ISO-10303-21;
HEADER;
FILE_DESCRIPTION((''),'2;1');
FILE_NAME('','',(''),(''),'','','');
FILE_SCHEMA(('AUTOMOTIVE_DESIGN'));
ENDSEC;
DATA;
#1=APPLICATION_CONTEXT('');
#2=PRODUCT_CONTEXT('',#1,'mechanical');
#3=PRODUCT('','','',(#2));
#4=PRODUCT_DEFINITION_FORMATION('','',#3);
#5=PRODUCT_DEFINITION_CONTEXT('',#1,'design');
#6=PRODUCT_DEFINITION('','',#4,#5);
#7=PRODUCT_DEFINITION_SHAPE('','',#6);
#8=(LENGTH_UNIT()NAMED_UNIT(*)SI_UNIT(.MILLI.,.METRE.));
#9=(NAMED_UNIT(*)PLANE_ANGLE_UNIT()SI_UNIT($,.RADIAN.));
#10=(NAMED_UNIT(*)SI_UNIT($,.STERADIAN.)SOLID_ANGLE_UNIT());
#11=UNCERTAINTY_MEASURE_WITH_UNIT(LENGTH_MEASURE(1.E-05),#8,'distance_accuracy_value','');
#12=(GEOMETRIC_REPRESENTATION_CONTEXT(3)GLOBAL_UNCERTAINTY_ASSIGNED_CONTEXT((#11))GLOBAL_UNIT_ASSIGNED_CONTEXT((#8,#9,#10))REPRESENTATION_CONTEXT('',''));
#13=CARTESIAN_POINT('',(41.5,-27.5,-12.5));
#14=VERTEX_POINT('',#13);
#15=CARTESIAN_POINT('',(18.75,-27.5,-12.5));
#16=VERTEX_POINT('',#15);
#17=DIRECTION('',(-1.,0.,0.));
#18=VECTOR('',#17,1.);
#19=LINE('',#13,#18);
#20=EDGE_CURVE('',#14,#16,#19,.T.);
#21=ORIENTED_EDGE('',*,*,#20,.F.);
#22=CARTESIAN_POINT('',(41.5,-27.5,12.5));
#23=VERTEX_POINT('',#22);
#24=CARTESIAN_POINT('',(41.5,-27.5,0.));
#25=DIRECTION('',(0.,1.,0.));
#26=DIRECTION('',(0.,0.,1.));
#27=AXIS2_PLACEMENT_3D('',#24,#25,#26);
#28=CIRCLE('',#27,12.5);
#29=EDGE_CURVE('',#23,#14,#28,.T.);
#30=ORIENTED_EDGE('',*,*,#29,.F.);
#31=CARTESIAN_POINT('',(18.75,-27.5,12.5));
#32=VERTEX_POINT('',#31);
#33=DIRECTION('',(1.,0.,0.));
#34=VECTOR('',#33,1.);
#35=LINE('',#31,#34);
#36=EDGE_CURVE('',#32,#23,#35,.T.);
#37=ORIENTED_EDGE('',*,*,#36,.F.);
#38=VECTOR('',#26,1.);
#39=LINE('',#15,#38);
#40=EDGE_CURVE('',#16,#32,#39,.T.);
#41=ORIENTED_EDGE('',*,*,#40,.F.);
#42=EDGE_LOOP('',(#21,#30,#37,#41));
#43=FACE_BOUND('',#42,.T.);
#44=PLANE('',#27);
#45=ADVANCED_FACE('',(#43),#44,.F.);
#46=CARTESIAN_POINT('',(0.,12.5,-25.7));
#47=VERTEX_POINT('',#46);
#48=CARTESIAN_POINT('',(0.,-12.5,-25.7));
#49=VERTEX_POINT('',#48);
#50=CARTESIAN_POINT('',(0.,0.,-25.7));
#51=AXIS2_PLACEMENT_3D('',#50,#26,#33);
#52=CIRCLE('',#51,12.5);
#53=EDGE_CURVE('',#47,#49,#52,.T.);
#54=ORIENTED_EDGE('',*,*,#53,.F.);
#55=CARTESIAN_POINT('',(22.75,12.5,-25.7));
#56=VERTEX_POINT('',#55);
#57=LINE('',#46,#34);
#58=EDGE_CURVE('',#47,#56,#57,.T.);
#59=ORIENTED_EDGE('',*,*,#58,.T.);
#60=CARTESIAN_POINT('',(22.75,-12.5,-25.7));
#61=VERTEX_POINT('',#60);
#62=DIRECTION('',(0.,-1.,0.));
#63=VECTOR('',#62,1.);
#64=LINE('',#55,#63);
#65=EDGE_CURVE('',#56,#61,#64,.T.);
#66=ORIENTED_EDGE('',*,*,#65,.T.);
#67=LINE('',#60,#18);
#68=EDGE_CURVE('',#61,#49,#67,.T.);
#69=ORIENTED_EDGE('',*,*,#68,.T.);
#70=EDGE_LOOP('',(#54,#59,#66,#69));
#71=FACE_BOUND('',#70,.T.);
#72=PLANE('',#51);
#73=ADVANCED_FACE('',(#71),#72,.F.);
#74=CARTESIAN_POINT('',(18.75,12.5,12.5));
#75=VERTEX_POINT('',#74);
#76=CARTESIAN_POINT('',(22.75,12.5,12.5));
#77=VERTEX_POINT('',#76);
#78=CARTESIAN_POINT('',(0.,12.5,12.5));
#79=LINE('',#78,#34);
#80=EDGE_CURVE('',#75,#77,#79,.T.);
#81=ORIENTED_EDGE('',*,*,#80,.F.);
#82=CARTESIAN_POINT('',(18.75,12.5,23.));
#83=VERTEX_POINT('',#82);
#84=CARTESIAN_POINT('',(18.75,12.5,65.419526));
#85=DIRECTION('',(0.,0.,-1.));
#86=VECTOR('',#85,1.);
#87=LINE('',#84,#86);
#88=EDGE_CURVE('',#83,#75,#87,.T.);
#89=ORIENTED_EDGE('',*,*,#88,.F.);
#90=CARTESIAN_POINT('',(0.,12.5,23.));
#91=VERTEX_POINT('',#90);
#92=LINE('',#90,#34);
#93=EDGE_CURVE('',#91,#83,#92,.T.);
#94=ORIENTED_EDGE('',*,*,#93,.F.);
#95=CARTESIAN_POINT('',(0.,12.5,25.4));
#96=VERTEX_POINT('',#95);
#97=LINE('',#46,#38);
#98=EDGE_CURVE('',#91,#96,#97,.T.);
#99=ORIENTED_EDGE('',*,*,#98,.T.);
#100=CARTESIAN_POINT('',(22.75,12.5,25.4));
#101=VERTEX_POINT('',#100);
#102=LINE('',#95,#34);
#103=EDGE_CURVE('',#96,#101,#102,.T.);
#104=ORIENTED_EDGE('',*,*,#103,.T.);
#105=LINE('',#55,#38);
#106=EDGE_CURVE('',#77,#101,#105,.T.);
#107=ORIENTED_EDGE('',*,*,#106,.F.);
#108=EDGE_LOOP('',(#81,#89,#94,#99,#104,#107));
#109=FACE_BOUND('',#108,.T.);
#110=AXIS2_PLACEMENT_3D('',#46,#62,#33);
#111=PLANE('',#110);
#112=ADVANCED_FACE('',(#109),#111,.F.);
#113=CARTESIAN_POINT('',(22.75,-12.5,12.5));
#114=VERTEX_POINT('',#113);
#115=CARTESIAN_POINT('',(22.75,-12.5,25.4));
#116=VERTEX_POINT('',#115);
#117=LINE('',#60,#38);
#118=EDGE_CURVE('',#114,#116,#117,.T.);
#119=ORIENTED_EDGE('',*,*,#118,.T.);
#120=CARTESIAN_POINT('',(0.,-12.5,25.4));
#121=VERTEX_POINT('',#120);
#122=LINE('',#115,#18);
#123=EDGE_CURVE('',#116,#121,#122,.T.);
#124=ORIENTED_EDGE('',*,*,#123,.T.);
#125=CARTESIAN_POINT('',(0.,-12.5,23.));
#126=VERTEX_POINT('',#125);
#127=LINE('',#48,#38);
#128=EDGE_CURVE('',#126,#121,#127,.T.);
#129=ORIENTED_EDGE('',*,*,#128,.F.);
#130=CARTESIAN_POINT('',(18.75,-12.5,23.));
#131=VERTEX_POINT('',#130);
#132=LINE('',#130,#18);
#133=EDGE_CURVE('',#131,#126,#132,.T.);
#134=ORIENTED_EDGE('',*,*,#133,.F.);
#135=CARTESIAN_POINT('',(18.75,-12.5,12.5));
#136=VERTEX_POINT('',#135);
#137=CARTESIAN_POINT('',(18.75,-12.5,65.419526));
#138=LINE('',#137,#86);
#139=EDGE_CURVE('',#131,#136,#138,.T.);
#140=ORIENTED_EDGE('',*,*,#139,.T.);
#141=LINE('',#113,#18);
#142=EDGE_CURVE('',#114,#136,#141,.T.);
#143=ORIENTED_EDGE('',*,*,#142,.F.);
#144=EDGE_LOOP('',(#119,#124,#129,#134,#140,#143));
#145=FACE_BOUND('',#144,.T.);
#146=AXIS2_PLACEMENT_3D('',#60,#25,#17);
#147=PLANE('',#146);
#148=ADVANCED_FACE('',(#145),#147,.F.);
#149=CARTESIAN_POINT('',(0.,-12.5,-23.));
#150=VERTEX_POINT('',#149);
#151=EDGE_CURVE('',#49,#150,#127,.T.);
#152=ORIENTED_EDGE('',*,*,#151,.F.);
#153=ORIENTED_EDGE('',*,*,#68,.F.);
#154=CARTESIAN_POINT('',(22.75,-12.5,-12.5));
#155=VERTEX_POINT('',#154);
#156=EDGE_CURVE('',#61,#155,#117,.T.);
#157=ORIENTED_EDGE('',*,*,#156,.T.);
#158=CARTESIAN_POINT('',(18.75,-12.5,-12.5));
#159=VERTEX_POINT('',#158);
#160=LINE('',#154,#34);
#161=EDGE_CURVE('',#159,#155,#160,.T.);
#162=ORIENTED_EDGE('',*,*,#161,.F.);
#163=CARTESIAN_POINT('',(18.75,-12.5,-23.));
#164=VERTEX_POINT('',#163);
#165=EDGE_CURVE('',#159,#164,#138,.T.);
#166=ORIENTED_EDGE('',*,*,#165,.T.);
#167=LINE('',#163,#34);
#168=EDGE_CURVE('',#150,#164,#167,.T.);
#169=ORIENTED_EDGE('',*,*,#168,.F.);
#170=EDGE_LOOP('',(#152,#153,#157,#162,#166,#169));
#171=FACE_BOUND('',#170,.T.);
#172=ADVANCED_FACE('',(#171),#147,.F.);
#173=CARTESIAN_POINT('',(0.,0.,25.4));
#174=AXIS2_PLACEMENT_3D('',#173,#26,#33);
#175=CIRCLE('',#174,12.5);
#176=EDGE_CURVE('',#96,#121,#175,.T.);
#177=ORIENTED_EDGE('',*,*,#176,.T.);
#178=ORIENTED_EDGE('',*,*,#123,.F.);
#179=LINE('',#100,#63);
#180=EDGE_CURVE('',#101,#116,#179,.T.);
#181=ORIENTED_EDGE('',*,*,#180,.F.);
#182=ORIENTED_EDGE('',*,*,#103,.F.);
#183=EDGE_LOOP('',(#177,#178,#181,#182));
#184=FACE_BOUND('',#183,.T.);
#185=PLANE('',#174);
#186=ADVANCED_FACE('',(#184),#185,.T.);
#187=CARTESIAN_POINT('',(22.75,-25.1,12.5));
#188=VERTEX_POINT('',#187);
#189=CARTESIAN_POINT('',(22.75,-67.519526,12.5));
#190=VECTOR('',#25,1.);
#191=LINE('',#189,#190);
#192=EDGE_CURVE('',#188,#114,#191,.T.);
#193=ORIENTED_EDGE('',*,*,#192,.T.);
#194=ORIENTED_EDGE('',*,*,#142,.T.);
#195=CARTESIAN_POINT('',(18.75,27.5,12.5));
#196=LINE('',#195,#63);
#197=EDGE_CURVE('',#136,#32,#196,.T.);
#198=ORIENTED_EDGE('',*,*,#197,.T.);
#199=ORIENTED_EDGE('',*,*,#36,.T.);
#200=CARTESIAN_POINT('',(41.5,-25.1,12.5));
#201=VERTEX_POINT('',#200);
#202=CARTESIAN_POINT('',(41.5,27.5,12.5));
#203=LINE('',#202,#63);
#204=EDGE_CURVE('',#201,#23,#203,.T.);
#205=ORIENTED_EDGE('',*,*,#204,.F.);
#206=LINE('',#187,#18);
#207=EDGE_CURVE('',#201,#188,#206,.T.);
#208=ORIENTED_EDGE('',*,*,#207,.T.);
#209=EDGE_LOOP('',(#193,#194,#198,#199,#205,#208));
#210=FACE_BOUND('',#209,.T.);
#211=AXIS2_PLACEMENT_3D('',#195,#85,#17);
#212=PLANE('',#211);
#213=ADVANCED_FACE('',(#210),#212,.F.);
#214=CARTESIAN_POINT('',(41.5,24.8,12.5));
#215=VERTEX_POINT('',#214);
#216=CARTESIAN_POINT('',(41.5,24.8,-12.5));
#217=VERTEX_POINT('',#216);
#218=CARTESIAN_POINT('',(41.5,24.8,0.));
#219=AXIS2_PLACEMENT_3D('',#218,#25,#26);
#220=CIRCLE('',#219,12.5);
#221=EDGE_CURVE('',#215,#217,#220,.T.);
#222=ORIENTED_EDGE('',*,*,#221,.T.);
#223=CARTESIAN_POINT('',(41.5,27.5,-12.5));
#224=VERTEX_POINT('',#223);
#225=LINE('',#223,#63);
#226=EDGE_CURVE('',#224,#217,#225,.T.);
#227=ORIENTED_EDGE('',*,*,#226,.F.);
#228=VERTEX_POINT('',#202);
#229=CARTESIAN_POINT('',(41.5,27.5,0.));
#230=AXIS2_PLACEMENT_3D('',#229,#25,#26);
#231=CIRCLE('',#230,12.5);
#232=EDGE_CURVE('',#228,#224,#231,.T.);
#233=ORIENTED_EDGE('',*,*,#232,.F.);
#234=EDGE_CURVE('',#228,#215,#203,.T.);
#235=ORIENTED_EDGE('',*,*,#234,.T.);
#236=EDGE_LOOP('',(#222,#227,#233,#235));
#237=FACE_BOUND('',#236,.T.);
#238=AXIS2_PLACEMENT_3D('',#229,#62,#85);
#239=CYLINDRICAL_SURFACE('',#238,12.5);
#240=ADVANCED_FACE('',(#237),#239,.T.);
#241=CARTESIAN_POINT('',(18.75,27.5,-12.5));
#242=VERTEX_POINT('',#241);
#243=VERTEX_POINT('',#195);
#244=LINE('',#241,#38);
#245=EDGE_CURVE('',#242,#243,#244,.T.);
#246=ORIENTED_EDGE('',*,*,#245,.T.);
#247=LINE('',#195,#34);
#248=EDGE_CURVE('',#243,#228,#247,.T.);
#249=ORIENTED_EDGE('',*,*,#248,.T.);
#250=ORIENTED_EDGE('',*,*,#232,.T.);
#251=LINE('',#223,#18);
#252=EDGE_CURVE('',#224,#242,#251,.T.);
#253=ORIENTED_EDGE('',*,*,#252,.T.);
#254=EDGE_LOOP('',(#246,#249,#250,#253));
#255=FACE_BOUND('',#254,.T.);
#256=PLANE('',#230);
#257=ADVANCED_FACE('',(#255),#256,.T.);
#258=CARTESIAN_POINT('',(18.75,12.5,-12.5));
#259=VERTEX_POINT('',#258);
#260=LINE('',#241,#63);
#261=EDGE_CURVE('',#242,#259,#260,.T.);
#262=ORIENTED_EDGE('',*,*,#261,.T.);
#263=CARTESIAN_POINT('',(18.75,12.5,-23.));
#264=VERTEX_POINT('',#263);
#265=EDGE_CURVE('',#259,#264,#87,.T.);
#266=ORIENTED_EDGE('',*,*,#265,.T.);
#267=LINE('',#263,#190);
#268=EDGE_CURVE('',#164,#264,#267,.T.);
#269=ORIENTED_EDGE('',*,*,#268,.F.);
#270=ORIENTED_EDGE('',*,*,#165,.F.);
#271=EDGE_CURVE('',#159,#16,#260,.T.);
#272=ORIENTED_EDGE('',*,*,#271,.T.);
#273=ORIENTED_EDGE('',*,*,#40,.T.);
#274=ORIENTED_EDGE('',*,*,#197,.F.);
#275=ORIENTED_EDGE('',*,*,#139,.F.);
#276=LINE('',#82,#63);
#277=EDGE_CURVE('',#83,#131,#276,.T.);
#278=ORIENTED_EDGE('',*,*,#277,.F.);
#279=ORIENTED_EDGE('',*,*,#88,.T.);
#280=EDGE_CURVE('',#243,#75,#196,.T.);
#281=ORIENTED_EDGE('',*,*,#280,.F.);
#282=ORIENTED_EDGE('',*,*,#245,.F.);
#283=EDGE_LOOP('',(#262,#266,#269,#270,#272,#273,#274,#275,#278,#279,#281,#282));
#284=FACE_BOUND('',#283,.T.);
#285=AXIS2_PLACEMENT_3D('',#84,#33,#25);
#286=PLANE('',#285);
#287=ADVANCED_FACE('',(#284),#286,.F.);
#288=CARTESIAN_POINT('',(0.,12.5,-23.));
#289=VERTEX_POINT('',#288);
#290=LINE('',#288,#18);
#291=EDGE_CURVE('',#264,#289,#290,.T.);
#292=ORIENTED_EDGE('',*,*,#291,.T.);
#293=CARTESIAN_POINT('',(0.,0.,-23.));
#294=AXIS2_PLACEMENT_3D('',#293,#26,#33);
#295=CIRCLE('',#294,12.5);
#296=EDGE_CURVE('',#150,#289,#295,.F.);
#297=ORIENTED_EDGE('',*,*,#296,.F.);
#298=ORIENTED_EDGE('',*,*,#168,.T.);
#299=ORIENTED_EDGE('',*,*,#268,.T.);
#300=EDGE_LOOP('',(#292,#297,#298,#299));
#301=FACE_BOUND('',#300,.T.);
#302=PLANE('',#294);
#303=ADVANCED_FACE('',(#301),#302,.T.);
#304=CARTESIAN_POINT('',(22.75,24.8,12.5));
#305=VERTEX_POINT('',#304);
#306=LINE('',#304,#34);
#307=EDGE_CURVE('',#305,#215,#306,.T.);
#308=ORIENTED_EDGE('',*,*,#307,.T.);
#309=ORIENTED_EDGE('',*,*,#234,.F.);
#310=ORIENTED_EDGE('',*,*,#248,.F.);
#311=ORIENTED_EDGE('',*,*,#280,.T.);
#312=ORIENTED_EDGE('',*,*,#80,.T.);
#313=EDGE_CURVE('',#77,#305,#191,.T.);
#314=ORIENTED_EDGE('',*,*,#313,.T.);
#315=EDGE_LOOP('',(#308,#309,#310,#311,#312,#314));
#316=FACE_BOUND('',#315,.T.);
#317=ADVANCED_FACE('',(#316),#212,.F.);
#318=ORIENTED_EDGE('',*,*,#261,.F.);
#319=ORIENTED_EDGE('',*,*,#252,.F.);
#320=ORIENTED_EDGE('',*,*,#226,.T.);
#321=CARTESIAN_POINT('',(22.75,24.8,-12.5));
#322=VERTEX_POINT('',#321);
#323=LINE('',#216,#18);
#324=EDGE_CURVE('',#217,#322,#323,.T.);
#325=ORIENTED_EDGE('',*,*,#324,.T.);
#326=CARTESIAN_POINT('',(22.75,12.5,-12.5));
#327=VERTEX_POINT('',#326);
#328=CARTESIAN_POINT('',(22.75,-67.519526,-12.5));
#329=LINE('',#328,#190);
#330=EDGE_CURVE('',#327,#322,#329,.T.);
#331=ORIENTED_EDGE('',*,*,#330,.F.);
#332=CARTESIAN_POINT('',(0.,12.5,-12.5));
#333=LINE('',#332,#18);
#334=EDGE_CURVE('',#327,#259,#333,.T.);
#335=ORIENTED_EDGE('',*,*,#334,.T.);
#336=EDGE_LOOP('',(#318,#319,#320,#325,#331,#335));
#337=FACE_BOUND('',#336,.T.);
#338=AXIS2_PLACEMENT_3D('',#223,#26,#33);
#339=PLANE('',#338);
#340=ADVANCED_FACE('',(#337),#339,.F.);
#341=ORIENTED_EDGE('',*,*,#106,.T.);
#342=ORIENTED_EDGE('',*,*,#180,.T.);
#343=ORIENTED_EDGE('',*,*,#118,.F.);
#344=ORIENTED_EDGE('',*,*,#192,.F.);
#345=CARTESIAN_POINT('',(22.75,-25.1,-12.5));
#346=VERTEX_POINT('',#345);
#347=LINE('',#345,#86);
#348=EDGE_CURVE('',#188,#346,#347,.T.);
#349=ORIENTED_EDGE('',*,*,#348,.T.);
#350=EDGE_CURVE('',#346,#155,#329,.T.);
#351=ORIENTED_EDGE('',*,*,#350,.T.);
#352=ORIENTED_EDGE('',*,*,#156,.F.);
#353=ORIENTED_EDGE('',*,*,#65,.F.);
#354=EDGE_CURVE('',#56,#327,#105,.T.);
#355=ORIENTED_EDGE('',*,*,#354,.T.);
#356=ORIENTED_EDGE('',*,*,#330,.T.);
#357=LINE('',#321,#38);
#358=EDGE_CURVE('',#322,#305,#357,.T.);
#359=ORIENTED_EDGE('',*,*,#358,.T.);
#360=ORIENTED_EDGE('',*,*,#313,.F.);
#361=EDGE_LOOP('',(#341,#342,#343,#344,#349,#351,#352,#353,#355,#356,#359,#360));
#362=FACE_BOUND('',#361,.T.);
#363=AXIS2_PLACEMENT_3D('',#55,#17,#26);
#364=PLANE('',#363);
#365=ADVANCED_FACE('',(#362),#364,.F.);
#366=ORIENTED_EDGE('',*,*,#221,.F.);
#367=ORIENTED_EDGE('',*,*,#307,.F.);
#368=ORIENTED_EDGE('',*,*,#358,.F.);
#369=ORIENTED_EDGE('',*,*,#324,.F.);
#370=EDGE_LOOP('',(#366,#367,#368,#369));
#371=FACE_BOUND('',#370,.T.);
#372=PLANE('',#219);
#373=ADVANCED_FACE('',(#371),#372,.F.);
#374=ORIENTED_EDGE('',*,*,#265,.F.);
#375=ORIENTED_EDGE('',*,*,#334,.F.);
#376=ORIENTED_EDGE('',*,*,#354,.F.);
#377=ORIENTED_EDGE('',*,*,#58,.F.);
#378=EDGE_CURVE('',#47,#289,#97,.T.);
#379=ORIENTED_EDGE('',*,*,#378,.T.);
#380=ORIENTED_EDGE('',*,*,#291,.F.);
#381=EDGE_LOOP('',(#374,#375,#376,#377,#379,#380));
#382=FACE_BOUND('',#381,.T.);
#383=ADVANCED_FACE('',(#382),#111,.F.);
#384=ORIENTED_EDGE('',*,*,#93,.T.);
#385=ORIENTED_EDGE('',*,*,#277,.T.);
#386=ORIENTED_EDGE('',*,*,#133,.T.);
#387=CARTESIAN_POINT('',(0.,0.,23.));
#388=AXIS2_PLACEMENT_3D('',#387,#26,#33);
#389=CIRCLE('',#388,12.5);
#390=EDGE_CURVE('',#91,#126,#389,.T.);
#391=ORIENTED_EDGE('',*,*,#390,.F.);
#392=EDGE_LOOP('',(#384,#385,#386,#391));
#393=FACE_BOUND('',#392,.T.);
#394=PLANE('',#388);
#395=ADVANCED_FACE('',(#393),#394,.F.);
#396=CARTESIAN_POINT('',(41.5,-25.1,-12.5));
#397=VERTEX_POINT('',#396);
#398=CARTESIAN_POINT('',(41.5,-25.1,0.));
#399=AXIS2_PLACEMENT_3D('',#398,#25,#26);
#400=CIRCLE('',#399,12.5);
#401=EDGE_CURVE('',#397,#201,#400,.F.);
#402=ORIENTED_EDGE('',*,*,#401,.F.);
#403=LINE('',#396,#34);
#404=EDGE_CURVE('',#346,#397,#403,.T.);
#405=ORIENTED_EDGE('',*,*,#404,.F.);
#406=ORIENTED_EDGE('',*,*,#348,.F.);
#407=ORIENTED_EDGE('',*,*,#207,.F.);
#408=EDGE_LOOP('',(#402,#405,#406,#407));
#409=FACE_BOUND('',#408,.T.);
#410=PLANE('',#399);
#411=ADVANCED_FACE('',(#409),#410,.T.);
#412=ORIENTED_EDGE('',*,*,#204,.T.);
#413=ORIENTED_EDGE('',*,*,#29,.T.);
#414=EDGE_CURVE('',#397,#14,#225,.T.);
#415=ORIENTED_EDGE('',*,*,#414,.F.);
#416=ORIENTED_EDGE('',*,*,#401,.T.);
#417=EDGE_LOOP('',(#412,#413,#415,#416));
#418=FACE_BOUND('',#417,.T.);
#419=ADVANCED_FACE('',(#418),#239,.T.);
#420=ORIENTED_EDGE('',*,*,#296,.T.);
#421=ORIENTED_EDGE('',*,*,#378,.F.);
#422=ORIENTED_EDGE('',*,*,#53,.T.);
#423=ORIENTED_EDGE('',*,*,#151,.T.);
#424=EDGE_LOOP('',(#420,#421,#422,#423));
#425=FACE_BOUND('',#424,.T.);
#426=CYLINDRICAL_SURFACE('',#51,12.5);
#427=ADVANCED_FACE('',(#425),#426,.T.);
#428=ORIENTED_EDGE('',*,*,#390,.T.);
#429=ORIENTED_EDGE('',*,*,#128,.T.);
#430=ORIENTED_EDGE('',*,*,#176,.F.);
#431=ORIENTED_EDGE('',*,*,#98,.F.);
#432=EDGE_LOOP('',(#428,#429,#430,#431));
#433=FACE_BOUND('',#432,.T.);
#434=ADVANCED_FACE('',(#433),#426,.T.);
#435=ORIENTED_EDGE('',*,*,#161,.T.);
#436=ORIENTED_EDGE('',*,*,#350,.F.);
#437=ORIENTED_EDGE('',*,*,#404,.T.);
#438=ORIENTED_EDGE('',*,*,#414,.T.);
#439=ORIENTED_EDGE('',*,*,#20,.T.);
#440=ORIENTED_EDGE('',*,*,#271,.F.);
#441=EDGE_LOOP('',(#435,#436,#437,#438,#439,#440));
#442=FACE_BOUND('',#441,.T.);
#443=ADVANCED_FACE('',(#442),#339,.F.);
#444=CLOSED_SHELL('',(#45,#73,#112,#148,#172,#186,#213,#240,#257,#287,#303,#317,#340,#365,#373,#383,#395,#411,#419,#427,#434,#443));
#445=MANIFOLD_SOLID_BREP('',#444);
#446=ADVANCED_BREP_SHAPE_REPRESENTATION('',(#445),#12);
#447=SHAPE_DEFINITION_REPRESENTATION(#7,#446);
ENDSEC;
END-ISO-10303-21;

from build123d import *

# Parameters (mm, degrees)
EXTRUDE_5_DEPTH          = 25.4
EXTRUDE_5_DEPTH_BACK     = 25.7
CUT_EXTRUDE_1_DEPTH      = 23
CUT_EXTRUDE_1_DEPTH_BACK = 23
EXTRUDE_6_DEPTH          = 27.5
CUT_EXTRUDE_2_DEPTH      = 24.8
CUT_EXTRUDE_2_DEPTH_BACK = 25.1


with BuildPart() as part:
    # Эскиз5 → Бобышка-Вытянуть5 (new body, two sides)
    with BuildSketch(Plane.XY) as extrude_5_sk:
        with BuildLine():
            Line((0, 12.5), (22.75, 12.5))
            Line((22.75, 12.5), (22.75, -12.5))
            Line((22.75, -12.5), (0, -12.5))
            ThreePointArc((0, -12.5), (-12.5, 0), (0, 12.5))
        make_face()
    extrude(amount=EXTRUDE_5_DEPTH)
    extrude(extrude_5_sk.sketch, amount=-EXTRUDE_5_DEPTH_BACK)

    # Эскиз6 → Вырез-Вытянуть1 (cut, two sides)
    with BuildSketch(Plane.XY) as cut_extrude_1_sk:
        with BuildLine():
            Line((0, 12.5), (18.75, 12.5))
            Line((18.75, 12.5), (18.75, -12.5))
            Line((18.75, -12.5), (0, -12.5))
            ThreePointArc((0, -12.5), (-12.5, 0), (0, 12.5))
        make_face()
    extrude(amount=CUT_EXTRUDE_1_DEPTH, mode=Mode.SUBTRACT)
    extrude(cut_extrude_1_sk.sketch, amount=-CUT_EXTRUDE_1_DEPTH_BACK, mode=Mode.SUBTRACT)

    # Эскиз7 → Бобышка-Вытянуть6 (add, symmetric)
    with BuildSketch(Plane(origin=(0, 0, 0), x_dir=(1, 0, 0), z_dir=(0, 1, 0))):
        with BuildLine():
            Line((41.5, 12.5), (18.75, 12.5))
            Line((18.75, 12.5), (18.75, -12.5))
            Line((18.75, -12.5), (41.5, -12.5))
            ThreePointArc((41.5, -12.5), (54, 0), (41.5, 12.5))
        make_face()
    extrude(amount=EXTRUDE_6_DEPTH, both=True)

    # Эскиз8 → Вырез-Вытянуть2 (cut, two sides)
    with BuildSketch(Plane(origin=(0, 0, 0), x_dir=(1, 0, 0), z_dir=(0, 1, 0))) as cut_extrude_2_sk:
        with BuildLine():
            Line((41.5, 12.5), (22.75, 12.5))
            Line((22.75, 12.5), (22.75, -12.5))
            Line((22.75, -12.5), (41.5, -12.5))
            ThreePointArc((41.5, -12.5), (54, 0), (41.5, 12.5))
        make_face()
    extrude(amount=CUT_EXTRUDE_2_DEPTH, mode=Mode.SUBTRACT)
    extrude(cut_extrude_2_sk.sketch, amount=-CUT_EXTRUDE_2_DEPTH_BACK, mode=Mode.SUBTRACT)


solid = part.part
